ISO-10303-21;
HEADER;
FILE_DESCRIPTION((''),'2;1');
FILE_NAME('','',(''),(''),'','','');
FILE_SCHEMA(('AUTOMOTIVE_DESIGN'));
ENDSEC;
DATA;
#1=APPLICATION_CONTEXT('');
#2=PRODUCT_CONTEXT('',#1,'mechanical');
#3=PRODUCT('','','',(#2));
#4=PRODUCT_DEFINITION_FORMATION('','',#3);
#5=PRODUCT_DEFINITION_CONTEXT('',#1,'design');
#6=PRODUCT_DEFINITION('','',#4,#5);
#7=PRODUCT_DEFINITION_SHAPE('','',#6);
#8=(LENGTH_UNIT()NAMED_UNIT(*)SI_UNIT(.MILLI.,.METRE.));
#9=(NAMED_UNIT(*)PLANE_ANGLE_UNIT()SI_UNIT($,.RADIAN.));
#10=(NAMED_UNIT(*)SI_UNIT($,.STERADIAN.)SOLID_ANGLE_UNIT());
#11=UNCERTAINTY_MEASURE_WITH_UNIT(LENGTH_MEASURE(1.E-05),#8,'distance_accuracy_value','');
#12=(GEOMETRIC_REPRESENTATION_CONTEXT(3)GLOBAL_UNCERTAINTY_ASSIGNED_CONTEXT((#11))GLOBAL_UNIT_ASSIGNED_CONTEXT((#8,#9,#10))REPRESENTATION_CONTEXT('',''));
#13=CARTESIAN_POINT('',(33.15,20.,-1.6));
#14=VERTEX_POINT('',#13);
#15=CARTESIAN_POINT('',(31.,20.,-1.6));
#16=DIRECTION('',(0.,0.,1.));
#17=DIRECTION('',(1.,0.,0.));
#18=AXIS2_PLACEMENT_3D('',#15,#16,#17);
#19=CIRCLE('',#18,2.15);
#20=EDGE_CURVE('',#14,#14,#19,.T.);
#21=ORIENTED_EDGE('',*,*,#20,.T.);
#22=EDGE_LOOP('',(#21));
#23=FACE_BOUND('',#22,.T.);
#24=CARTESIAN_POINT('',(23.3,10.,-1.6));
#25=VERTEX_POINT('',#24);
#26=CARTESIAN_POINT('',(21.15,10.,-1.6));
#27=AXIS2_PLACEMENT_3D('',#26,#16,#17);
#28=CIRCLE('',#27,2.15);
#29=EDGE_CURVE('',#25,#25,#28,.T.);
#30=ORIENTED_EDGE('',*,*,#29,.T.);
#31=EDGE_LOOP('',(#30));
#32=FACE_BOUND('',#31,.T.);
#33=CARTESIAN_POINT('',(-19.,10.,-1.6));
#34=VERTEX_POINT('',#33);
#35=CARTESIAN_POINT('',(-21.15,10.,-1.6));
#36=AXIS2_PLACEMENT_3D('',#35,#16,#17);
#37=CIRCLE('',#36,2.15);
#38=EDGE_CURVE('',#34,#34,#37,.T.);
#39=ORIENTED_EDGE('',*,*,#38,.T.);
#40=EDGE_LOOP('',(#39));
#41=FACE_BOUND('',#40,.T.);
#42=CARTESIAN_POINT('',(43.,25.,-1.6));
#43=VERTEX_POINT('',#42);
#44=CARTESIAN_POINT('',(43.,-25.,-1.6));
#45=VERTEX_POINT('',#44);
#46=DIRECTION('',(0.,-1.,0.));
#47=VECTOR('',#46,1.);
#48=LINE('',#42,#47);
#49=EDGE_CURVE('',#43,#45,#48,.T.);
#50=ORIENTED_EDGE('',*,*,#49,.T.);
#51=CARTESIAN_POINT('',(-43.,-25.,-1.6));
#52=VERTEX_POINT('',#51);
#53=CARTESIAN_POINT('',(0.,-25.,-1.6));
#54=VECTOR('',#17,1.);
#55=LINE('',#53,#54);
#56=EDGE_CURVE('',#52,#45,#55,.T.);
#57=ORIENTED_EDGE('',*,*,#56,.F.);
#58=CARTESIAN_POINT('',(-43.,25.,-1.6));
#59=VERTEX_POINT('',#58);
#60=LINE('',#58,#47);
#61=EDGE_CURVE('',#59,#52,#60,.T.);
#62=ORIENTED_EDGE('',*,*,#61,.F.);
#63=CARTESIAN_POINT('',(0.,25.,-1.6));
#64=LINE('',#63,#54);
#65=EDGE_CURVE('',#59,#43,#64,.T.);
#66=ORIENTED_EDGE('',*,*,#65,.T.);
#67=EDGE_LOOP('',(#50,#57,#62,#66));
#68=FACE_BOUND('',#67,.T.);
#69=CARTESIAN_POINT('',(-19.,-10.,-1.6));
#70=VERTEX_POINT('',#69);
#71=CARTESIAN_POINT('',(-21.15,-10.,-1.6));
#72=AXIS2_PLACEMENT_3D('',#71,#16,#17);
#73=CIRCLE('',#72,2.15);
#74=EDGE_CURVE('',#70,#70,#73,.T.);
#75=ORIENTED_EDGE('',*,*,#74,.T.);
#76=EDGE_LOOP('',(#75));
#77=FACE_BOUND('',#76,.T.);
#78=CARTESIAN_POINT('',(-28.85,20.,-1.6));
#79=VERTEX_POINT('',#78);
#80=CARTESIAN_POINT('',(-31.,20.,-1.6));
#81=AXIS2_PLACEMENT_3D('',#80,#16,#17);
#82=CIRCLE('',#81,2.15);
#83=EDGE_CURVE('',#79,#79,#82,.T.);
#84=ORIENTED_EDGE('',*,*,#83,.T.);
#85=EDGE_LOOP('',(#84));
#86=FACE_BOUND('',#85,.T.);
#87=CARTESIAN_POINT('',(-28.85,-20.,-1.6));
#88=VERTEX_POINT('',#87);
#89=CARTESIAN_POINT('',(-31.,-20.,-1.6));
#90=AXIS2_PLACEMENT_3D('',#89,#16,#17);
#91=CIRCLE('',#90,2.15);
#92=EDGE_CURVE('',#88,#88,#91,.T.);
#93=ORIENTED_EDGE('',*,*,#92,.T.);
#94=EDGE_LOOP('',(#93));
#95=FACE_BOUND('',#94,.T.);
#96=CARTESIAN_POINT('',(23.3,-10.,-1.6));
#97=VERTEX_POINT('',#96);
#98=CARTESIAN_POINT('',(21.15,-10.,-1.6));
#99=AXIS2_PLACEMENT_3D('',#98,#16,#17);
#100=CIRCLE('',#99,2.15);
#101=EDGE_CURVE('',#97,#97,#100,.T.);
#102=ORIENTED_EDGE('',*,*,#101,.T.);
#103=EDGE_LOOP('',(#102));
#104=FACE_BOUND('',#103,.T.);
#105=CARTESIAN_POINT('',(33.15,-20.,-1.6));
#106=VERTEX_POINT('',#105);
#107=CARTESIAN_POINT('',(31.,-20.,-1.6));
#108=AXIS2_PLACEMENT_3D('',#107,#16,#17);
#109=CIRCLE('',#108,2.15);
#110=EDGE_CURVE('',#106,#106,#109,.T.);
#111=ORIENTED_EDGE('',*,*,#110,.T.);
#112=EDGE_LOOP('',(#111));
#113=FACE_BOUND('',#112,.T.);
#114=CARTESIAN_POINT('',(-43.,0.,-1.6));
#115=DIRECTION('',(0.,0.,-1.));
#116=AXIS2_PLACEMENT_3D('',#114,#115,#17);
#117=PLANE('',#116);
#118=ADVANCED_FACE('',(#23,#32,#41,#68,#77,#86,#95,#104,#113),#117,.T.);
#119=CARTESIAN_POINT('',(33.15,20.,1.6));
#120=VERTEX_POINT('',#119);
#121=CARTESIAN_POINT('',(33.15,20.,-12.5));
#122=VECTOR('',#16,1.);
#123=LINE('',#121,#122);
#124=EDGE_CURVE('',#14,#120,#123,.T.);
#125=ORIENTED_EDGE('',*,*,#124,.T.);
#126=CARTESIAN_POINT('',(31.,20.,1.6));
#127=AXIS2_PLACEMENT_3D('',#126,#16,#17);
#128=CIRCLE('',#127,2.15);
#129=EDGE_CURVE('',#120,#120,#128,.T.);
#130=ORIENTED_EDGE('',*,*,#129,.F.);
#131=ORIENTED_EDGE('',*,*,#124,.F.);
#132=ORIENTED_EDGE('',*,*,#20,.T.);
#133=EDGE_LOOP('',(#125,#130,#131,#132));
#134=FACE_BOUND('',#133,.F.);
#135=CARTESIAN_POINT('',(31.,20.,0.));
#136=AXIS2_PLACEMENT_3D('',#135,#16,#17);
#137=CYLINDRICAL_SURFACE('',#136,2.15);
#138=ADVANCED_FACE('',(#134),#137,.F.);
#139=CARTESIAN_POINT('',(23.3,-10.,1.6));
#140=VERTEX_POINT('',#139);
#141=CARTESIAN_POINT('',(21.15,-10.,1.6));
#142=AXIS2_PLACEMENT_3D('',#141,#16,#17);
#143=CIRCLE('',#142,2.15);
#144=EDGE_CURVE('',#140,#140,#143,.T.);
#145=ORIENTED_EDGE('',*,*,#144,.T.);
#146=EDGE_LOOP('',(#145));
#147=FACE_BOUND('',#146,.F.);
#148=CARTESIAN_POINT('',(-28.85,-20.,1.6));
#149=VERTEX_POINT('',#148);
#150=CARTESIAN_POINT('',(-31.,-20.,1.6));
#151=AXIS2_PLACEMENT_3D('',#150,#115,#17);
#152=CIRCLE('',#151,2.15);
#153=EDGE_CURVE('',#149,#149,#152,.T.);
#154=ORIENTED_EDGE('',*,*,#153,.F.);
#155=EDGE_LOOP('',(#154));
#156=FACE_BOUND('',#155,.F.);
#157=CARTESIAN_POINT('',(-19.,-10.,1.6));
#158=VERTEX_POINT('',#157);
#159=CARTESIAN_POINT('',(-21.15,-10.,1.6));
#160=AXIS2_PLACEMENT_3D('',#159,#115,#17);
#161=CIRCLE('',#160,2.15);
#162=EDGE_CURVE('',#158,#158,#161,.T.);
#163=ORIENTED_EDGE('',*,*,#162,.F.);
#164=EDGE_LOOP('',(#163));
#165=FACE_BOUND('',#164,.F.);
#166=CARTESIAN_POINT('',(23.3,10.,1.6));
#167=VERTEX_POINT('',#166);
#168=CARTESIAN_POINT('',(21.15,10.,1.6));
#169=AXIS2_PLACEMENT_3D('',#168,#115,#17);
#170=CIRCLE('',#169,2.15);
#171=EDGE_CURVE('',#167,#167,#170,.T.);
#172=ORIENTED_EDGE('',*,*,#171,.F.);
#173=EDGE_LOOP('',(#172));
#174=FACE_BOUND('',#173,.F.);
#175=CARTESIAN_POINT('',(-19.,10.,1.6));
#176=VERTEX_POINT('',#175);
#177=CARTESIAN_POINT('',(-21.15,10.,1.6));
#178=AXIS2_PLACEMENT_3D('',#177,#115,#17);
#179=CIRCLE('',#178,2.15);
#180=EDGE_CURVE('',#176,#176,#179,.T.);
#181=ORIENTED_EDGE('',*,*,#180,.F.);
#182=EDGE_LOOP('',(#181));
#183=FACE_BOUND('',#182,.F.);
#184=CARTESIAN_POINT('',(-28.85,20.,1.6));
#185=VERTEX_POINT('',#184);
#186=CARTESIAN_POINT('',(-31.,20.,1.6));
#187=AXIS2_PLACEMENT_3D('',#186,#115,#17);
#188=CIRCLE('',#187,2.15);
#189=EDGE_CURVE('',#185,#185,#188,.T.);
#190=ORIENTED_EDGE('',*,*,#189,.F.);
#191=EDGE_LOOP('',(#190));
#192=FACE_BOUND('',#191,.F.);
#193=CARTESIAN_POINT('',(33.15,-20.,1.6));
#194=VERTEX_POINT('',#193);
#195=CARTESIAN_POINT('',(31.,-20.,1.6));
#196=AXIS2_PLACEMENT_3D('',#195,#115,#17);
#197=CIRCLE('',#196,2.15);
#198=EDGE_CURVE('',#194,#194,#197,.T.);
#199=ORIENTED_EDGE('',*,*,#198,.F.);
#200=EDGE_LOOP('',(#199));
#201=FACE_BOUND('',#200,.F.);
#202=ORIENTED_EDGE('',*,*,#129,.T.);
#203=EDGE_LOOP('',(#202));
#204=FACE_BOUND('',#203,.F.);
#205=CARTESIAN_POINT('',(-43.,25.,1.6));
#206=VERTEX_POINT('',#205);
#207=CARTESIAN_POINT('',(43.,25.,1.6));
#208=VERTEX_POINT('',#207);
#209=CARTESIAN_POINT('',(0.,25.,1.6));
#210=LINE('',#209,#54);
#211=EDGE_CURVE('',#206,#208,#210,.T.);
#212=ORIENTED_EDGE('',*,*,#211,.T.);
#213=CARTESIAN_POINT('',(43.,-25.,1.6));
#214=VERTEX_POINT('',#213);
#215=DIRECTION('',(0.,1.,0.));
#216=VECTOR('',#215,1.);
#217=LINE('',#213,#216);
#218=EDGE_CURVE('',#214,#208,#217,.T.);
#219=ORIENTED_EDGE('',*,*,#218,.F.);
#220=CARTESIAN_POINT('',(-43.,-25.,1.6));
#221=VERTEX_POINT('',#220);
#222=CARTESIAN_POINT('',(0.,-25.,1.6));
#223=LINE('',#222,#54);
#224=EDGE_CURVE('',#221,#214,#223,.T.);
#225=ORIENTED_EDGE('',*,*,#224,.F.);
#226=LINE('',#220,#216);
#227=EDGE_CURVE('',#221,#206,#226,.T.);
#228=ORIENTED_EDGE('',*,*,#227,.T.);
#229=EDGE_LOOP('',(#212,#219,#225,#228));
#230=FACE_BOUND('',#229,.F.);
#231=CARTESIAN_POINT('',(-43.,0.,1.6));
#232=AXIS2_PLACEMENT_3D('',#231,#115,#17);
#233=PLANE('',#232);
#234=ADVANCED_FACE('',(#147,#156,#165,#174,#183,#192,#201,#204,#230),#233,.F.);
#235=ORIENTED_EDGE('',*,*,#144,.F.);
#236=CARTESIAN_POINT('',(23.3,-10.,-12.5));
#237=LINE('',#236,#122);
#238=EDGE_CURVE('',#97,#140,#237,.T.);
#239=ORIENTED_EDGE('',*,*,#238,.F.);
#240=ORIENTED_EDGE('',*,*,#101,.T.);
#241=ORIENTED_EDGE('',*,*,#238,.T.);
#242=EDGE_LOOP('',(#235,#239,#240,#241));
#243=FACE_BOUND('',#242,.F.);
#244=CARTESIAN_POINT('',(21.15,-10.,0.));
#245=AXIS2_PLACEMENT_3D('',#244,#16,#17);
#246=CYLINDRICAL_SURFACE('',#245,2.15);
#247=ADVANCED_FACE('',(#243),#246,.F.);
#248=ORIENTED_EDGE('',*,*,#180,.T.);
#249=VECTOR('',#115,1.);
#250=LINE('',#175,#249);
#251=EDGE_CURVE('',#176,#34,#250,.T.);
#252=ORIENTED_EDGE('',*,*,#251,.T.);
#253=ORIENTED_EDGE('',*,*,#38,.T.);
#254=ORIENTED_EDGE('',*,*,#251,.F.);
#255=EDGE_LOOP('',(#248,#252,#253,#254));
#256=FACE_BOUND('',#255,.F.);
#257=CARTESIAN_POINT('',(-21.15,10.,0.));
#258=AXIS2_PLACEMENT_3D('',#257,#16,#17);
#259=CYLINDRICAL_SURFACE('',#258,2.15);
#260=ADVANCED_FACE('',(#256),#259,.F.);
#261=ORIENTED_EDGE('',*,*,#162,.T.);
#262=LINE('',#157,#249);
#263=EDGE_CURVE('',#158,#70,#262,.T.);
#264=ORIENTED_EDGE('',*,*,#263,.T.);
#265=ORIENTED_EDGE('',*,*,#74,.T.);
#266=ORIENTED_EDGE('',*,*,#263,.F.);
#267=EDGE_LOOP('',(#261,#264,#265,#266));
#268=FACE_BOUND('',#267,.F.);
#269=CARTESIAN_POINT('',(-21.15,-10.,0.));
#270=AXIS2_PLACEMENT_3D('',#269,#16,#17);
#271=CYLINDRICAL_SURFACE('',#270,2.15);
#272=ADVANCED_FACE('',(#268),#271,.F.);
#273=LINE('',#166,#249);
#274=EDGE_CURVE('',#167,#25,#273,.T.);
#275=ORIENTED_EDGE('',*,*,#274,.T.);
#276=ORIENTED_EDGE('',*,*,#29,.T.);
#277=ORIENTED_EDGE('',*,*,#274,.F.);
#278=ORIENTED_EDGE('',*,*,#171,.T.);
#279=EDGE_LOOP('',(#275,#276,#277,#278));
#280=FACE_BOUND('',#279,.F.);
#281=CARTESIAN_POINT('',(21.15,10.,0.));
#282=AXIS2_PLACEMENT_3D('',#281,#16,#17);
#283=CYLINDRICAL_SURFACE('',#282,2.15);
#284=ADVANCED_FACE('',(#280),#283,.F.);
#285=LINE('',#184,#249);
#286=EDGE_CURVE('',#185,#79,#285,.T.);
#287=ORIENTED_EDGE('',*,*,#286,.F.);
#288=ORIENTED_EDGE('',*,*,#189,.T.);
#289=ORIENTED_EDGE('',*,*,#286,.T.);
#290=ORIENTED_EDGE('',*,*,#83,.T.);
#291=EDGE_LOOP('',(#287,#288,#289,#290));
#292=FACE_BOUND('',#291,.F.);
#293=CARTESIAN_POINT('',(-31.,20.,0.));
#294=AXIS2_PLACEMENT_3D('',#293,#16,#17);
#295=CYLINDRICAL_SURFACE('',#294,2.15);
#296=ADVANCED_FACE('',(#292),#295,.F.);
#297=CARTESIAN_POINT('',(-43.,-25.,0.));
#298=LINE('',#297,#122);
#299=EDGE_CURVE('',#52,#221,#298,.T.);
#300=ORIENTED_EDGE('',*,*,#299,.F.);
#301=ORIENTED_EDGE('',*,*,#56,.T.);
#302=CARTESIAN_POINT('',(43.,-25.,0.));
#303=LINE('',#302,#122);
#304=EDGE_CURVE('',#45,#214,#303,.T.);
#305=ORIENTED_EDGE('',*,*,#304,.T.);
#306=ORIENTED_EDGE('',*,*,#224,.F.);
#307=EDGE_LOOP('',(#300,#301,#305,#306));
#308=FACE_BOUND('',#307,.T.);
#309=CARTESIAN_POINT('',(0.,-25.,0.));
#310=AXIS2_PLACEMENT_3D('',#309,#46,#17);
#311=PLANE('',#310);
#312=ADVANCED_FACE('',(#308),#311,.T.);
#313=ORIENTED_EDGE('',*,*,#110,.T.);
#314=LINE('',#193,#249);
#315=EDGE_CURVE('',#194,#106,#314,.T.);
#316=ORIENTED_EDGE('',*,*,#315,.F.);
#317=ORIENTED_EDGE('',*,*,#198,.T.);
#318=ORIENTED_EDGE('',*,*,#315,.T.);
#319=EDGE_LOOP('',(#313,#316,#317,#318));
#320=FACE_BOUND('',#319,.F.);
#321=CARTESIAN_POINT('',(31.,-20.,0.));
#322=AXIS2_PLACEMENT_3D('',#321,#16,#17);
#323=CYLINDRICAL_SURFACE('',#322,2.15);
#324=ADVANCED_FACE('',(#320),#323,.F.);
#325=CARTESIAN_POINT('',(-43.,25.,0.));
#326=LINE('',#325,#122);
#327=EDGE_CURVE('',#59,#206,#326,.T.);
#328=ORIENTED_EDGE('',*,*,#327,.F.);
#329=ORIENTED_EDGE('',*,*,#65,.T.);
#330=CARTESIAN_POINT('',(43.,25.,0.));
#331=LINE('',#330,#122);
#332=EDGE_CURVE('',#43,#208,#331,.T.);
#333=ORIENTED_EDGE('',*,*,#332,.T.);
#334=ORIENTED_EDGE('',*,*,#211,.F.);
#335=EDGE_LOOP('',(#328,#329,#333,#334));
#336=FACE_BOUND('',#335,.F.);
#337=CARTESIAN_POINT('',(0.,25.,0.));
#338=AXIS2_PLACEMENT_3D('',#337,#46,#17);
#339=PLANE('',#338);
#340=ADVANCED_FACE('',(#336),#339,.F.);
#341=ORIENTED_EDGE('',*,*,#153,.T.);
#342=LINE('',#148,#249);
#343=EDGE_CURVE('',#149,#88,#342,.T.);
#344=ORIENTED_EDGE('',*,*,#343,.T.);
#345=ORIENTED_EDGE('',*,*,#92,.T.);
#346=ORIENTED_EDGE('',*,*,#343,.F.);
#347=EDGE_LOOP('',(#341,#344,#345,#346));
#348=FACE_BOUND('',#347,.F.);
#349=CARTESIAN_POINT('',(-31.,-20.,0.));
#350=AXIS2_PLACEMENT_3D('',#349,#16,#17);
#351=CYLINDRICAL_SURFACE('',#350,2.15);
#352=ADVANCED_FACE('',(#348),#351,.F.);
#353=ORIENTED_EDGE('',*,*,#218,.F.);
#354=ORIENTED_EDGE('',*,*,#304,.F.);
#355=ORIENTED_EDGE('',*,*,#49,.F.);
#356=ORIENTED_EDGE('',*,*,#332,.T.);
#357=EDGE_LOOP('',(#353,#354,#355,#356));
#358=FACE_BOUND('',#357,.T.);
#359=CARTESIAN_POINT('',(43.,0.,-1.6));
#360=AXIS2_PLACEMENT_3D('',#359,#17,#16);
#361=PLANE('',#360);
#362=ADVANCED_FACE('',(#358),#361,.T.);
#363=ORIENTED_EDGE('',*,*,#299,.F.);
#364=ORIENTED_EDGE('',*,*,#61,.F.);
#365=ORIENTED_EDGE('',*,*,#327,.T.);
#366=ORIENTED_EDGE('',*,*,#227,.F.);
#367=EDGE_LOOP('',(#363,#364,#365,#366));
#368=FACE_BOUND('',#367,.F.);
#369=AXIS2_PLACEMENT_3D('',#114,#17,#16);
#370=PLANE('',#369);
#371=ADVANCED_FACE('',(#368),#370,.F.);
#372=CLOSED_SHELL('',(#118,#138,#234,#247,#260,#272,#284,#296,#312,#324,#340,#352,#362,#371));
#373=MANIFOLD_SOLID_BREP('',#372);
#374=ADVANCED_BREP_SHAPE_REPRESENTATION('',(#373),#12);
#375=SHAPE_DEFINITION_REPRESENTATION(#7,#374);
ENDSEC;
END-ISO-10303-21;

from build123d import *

# Parameters (mm, degrees)
F0_W     = 86
F0_H     = 3.2
F1_DEPTH = 25
F2_R     = 2.15
F3_DEPTH = 12.5
F4_R     = 2.15
F5_DEPTH = 12.5


with BuildPart() as f1:
    # F0 (on Front) → F1 (new body, symmetric)
    with BuildSketch(Plane.XZ):
        Rectangle(F0_W, F0_H)
    extrude(amount=F1_DEPTH, both=True)

    # F2 (on Top) → F3 (cut, symmetric)
    with BuildSketch(Plane.XY):
        with Locations((-31, -20)):
            Circle(F2_R)
        with Locations((31, -20)):
            Circle(F2_R)
        with Locations((-31, 20)):
            Circle(F2_R)
        with Locations((31, 20)):
            Circle(F2_R)
    extrude(amount=F3_DEPTH, both=True, mode=Mode.SUBTRACT)

    # F4 (on Top) → F5 (cut, symmetric)
    with BuildSketch(Plane.XY):
        with Locations((-21.15, 10)):
            Circle(F4_R)
        with Locations((-21.15, -10)):
            Circle(F4_R)
        with Locations((21.15, 10)):
            Circle(F4_R)
        with Locations((21.15, -10)):
            Circle(F4_R)
    extrude(amount=F5_DEPTH, both=True, mode=Mode.SUBTRACT)


solid = f1.part
